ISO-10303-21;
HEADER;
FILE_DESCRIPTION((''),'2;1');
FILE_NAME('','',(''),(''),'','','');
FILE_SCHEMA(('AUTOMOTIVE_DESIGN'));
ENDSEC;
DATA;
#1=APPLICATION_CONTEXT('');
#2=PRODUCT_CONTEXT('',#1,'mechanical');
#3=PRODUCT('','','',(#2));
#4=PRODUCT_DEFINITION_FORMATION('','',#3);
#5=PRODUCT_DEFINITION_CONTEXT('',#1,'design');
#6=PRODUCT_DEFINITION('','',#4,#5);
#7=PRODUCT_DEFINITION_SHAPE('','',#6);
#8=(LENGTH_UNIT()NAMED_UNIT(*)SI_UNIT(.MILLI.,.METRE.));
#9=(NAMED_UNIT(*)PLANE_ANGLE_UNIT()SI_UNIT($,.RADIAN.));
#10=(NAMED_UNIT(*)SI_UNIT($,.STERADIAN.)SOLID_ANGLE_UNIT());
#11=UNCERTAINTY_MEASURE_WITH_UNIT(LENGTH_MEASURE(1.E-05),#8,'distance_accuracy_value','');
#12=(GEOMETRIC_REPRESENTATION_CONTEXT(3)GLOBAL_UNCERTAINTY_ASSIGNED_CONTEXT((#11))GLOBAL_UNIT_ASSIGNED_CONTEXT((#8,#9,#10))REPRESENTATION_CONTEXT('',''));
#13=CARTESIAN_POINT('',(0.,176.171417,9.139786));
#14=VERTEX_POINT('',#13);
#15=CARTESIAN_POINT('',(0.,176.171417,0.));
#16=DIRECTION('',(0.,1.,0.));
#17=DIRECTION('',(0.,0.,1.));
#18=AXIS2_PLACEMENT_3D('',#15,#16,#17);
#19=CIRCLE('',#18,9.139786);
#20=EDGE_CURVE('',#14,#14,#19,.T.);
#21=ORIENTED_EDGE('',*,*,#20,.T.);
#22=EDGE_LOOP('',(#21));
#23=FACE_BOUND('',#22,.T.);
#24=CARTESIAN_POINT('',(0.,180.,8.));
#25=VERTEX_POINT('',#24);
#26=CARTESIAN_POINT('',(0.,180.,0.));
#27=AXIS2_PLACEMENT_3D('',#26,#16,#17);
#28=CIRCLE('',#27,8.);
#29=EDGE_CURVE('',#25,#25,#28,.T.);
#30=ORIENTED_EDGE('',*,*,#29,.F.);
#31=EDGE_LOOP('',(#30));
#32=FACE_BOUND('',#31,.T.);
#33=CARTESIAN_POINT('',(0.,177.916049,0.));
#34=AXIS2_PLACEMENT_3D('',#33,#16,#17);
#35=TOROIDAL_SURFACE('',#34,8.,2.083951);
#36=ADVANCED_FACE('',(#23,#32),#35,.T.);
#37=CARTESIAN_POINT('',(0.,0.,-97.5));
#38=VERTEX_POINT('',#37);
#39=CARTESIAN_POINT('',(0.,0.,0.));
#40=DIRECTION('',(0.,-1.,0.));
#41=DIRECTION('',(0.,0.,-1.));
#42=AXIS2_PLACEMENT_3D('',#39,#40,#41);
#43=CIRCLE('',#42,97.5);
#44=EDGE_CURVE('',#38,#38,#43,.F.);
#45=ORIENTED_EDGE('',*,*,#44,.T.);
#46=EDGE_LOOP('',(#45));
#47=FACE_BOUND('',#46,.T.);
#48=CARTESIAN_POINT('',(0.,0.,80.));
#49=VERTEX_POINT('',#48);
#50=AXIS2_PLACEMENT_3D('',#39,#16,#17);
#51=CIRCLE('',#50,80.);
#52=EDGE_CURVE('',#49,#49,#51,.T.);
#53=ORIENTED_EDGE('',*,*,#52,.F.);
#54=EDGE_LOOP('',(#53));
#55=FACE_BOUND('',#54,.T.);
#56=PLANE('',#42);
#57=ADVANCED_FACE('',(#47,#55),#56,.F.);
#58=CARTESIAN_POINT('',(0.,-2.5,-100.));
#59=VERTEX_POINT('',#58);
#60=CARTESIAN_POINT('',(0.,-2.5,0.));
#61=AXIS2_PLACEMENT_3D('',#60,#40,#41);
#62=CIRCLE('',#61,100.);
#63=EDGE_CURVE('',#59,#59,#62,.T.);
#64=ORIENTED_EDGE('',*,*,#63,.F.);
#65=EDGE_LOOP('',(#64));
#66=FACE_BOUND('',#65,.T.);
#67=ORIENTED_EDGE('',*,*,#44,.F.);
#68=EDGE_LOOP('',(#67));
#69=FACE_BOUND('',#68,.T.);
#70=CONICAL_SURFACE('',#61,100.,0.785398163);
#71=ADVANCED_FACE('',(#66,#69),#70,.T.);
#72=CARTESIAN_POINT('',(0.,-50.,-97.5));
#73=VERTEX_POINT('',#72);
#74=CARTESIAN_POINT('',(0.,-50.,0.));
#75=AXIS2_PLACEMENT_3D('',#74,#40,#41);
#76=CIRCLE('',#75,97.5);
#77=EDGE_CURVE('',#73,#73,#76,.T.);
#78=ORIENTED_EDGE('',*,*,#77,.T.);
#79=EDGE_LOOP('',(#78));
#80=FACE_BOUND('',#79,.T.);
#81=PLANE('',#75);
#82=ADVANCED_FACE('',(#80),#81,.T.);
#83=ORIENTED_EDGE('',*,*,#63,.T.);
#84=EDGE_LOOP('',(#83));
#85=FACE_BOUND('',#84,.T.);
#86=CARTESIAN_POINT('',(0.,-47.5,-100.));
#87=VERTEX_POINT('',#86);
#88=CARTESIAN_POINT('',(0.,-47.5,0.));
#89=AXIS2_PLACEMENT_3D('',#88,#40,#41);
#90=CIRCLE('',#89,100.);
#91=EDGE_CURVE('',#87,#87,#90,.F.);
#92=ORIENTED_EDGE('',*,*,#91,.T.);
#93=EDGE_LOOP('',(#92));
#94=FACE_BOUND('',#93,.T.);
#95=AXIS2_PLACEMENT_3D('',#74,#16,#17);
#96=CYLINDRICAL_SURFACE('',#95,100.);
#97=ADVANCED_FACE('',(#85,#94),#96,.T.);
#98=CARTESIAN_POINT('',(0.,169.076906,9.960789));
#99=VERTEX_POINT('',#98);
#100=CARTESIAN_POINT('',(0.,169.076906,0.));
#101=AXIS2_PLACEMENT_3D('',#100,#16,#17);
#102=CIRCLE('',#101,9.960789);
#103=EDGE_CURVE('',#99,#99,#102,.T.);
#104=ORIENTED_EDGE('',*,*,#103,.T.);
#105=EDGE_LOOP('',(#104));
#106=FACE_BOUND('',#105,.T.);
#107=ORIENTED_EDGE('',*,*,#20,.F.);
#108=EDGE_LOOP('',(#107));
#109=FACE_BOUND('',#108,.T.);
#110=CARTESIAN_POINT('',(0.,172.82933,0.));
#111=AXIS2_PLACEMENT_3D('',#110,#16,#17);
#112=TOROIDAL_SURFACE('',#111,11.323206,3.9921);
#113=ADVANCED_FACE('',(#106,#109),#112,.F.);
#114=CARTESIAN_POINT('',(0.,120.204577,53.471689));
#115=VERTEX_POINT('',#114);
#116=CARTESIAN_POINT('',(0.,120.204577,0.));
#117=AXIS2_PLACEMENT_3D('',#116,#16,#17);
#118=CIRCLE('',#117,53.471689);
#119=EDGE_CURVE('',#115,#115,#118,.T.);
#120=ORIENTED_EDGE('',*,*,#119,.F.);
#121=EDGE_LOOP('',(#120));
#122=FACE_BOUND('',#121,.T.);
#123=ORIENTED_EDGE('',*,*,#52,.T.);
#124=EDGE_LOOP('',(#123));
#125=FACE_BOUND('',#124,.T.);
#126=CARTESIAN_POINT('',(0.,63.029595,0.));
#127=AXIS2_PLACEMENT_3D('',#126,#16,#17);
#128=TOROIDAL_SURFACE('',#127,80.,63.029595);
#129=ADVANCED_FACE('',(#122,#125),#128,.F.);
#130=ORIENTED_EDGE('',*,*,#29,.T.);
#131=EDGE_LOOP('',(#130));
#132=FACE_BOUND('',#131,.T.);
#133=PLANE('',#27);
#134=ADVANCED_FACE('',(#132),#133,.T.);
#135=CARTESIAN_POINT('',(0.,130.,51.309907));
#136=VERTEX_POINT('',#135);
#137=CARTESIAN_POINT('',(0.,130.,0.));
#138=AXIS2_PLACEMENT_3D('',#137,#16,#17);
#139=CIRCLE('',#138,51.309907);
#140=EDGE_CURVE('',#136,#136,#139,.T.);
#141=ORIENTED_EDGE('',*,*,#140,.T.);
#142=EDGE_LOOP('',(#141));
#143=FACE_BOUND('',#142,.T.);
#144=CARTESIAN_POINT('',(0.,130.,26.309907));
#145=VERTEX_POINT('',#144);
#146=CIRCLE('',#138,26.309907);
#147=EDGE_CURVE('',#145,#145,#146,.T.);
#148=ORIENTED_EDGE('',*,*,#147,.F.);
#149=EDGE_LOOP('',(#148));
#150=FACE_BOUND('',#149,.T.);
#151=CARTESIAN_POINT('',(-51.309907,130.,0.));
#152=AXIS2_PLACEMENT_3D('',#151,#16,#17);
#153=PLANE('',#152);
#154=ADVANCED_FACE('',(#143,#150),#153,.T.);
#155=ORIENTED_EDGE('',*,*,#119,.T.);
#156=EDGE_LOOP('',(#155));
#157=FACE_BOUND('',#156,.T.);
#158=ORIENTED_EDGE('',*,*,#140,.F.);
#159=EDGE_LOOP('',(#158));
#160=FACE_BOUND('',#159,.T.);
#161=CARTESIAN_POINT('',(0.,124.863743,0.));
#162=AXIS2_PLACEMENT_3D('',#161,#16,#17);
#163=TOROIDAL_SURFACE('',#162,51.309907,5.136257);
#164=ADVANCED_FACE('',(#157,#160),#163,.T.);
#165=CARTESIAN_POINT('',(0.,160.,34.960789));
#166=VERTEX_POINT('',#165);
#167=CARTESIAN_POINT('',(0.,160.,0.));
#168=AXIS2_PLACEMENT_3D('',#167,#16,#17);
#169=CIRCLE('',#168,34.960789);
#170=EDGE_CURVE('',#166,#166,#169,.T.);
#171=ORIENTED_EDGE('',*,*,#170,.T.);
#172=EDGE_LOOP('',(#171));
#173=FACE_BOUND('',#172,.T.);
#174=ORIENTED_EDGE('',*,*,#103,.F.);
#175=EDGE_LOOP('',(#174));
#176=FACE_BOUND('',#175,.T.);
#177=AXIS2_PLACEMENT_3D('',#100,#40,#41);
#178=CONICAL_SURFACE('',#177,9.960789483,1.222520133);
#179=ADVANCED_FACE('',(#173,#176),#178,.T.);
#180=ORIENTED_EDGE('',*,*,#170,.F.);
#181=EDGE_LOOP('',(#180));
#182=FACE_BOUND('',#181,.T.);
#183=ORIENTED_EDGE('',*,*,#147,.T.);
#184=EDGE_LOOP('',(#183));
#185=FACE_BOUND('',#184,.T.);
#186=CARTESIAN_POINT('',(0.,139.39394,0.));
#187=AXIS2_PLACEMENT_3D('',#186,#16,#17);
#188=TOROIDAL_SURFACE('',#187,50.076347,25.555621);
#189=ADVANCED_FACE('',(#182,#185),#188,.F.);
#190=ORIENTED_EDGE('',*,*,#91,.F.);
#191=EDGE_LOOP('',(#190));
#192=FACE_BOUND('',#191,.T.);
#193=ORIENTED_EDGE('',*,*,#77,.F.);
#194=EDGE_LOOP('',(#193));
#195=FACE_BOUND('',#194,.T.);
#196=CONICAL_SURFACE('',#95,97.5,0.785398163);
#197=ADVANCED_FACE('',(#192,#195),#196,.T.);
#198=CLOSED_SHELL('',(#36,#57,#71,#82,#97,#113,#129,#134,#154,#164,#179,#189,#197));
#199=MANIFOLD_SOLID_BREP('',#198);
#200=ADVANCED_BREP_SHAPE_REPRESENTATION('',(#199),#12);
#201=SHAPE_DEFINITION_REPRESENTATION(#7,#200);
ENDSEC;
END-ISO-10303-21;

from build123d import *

# Parameters (mm, degrees)
ESQUISSE2_R      = 100
EXTRUSION1_DEPTH = 50
CHANFREIN1_SIZE  = 2.5


with BuildPart() as part:
    # Esquisse1 → Révolution2 (revolve)
    with BuildSketch(Plane.XY):
        with BuildLine():
            Line((-51.309907157, 130), (-26.309907157, 130))
            ThreePointArc((-26.309907157, 130), (-25.521257356, 146.474713304), (-34.960789483, 160))
            Line((-34.960789483, 160), (-9.960789483, 169.076905642))
            ThreePointArc((-9.960789483, 169.076905642), (-7.357570715, 172.370411723), (-9.139785961, 176.171416732))
            ThreePointArc((-9.139785961, 176.171416732), (-9.997320823, 178.510659869), (-8, 180))
            Line((-8, 180), (0, 180))
            Line((0, 180), (0, 0))
            Line((0, 0), (-80, 0))
            ThreePointArc((-80, 0), (-18.451459014, 49.446261503), (-53.471688698, 120.204576824))
            ThreePointArc((-53.471688698, 120.204576824), (-56.325473292, 125.970643808), (-51.309907157, 130))
        make_face()
    revolve(axis=Axis((0, 180, 0), (0, -1, 0)))

    # Esquisse2 → Extrusion1 (add)
    with BuildSketch(Plane.XZ):
        Circle(ESQUISSE2_R)
    extrude(amount=EXTRUSION1_DEPTH)

    # Chanfrein1
    chanfrein1_edges = [part.edges().sort_by_distance(p)[0] for p in [
        (-100, 0, 0),
        (-100, -50, 0),
    ]]
    chamfer(chanfrein1_edges, length=CHANFREIN1_SIZE)


solid = part.part
